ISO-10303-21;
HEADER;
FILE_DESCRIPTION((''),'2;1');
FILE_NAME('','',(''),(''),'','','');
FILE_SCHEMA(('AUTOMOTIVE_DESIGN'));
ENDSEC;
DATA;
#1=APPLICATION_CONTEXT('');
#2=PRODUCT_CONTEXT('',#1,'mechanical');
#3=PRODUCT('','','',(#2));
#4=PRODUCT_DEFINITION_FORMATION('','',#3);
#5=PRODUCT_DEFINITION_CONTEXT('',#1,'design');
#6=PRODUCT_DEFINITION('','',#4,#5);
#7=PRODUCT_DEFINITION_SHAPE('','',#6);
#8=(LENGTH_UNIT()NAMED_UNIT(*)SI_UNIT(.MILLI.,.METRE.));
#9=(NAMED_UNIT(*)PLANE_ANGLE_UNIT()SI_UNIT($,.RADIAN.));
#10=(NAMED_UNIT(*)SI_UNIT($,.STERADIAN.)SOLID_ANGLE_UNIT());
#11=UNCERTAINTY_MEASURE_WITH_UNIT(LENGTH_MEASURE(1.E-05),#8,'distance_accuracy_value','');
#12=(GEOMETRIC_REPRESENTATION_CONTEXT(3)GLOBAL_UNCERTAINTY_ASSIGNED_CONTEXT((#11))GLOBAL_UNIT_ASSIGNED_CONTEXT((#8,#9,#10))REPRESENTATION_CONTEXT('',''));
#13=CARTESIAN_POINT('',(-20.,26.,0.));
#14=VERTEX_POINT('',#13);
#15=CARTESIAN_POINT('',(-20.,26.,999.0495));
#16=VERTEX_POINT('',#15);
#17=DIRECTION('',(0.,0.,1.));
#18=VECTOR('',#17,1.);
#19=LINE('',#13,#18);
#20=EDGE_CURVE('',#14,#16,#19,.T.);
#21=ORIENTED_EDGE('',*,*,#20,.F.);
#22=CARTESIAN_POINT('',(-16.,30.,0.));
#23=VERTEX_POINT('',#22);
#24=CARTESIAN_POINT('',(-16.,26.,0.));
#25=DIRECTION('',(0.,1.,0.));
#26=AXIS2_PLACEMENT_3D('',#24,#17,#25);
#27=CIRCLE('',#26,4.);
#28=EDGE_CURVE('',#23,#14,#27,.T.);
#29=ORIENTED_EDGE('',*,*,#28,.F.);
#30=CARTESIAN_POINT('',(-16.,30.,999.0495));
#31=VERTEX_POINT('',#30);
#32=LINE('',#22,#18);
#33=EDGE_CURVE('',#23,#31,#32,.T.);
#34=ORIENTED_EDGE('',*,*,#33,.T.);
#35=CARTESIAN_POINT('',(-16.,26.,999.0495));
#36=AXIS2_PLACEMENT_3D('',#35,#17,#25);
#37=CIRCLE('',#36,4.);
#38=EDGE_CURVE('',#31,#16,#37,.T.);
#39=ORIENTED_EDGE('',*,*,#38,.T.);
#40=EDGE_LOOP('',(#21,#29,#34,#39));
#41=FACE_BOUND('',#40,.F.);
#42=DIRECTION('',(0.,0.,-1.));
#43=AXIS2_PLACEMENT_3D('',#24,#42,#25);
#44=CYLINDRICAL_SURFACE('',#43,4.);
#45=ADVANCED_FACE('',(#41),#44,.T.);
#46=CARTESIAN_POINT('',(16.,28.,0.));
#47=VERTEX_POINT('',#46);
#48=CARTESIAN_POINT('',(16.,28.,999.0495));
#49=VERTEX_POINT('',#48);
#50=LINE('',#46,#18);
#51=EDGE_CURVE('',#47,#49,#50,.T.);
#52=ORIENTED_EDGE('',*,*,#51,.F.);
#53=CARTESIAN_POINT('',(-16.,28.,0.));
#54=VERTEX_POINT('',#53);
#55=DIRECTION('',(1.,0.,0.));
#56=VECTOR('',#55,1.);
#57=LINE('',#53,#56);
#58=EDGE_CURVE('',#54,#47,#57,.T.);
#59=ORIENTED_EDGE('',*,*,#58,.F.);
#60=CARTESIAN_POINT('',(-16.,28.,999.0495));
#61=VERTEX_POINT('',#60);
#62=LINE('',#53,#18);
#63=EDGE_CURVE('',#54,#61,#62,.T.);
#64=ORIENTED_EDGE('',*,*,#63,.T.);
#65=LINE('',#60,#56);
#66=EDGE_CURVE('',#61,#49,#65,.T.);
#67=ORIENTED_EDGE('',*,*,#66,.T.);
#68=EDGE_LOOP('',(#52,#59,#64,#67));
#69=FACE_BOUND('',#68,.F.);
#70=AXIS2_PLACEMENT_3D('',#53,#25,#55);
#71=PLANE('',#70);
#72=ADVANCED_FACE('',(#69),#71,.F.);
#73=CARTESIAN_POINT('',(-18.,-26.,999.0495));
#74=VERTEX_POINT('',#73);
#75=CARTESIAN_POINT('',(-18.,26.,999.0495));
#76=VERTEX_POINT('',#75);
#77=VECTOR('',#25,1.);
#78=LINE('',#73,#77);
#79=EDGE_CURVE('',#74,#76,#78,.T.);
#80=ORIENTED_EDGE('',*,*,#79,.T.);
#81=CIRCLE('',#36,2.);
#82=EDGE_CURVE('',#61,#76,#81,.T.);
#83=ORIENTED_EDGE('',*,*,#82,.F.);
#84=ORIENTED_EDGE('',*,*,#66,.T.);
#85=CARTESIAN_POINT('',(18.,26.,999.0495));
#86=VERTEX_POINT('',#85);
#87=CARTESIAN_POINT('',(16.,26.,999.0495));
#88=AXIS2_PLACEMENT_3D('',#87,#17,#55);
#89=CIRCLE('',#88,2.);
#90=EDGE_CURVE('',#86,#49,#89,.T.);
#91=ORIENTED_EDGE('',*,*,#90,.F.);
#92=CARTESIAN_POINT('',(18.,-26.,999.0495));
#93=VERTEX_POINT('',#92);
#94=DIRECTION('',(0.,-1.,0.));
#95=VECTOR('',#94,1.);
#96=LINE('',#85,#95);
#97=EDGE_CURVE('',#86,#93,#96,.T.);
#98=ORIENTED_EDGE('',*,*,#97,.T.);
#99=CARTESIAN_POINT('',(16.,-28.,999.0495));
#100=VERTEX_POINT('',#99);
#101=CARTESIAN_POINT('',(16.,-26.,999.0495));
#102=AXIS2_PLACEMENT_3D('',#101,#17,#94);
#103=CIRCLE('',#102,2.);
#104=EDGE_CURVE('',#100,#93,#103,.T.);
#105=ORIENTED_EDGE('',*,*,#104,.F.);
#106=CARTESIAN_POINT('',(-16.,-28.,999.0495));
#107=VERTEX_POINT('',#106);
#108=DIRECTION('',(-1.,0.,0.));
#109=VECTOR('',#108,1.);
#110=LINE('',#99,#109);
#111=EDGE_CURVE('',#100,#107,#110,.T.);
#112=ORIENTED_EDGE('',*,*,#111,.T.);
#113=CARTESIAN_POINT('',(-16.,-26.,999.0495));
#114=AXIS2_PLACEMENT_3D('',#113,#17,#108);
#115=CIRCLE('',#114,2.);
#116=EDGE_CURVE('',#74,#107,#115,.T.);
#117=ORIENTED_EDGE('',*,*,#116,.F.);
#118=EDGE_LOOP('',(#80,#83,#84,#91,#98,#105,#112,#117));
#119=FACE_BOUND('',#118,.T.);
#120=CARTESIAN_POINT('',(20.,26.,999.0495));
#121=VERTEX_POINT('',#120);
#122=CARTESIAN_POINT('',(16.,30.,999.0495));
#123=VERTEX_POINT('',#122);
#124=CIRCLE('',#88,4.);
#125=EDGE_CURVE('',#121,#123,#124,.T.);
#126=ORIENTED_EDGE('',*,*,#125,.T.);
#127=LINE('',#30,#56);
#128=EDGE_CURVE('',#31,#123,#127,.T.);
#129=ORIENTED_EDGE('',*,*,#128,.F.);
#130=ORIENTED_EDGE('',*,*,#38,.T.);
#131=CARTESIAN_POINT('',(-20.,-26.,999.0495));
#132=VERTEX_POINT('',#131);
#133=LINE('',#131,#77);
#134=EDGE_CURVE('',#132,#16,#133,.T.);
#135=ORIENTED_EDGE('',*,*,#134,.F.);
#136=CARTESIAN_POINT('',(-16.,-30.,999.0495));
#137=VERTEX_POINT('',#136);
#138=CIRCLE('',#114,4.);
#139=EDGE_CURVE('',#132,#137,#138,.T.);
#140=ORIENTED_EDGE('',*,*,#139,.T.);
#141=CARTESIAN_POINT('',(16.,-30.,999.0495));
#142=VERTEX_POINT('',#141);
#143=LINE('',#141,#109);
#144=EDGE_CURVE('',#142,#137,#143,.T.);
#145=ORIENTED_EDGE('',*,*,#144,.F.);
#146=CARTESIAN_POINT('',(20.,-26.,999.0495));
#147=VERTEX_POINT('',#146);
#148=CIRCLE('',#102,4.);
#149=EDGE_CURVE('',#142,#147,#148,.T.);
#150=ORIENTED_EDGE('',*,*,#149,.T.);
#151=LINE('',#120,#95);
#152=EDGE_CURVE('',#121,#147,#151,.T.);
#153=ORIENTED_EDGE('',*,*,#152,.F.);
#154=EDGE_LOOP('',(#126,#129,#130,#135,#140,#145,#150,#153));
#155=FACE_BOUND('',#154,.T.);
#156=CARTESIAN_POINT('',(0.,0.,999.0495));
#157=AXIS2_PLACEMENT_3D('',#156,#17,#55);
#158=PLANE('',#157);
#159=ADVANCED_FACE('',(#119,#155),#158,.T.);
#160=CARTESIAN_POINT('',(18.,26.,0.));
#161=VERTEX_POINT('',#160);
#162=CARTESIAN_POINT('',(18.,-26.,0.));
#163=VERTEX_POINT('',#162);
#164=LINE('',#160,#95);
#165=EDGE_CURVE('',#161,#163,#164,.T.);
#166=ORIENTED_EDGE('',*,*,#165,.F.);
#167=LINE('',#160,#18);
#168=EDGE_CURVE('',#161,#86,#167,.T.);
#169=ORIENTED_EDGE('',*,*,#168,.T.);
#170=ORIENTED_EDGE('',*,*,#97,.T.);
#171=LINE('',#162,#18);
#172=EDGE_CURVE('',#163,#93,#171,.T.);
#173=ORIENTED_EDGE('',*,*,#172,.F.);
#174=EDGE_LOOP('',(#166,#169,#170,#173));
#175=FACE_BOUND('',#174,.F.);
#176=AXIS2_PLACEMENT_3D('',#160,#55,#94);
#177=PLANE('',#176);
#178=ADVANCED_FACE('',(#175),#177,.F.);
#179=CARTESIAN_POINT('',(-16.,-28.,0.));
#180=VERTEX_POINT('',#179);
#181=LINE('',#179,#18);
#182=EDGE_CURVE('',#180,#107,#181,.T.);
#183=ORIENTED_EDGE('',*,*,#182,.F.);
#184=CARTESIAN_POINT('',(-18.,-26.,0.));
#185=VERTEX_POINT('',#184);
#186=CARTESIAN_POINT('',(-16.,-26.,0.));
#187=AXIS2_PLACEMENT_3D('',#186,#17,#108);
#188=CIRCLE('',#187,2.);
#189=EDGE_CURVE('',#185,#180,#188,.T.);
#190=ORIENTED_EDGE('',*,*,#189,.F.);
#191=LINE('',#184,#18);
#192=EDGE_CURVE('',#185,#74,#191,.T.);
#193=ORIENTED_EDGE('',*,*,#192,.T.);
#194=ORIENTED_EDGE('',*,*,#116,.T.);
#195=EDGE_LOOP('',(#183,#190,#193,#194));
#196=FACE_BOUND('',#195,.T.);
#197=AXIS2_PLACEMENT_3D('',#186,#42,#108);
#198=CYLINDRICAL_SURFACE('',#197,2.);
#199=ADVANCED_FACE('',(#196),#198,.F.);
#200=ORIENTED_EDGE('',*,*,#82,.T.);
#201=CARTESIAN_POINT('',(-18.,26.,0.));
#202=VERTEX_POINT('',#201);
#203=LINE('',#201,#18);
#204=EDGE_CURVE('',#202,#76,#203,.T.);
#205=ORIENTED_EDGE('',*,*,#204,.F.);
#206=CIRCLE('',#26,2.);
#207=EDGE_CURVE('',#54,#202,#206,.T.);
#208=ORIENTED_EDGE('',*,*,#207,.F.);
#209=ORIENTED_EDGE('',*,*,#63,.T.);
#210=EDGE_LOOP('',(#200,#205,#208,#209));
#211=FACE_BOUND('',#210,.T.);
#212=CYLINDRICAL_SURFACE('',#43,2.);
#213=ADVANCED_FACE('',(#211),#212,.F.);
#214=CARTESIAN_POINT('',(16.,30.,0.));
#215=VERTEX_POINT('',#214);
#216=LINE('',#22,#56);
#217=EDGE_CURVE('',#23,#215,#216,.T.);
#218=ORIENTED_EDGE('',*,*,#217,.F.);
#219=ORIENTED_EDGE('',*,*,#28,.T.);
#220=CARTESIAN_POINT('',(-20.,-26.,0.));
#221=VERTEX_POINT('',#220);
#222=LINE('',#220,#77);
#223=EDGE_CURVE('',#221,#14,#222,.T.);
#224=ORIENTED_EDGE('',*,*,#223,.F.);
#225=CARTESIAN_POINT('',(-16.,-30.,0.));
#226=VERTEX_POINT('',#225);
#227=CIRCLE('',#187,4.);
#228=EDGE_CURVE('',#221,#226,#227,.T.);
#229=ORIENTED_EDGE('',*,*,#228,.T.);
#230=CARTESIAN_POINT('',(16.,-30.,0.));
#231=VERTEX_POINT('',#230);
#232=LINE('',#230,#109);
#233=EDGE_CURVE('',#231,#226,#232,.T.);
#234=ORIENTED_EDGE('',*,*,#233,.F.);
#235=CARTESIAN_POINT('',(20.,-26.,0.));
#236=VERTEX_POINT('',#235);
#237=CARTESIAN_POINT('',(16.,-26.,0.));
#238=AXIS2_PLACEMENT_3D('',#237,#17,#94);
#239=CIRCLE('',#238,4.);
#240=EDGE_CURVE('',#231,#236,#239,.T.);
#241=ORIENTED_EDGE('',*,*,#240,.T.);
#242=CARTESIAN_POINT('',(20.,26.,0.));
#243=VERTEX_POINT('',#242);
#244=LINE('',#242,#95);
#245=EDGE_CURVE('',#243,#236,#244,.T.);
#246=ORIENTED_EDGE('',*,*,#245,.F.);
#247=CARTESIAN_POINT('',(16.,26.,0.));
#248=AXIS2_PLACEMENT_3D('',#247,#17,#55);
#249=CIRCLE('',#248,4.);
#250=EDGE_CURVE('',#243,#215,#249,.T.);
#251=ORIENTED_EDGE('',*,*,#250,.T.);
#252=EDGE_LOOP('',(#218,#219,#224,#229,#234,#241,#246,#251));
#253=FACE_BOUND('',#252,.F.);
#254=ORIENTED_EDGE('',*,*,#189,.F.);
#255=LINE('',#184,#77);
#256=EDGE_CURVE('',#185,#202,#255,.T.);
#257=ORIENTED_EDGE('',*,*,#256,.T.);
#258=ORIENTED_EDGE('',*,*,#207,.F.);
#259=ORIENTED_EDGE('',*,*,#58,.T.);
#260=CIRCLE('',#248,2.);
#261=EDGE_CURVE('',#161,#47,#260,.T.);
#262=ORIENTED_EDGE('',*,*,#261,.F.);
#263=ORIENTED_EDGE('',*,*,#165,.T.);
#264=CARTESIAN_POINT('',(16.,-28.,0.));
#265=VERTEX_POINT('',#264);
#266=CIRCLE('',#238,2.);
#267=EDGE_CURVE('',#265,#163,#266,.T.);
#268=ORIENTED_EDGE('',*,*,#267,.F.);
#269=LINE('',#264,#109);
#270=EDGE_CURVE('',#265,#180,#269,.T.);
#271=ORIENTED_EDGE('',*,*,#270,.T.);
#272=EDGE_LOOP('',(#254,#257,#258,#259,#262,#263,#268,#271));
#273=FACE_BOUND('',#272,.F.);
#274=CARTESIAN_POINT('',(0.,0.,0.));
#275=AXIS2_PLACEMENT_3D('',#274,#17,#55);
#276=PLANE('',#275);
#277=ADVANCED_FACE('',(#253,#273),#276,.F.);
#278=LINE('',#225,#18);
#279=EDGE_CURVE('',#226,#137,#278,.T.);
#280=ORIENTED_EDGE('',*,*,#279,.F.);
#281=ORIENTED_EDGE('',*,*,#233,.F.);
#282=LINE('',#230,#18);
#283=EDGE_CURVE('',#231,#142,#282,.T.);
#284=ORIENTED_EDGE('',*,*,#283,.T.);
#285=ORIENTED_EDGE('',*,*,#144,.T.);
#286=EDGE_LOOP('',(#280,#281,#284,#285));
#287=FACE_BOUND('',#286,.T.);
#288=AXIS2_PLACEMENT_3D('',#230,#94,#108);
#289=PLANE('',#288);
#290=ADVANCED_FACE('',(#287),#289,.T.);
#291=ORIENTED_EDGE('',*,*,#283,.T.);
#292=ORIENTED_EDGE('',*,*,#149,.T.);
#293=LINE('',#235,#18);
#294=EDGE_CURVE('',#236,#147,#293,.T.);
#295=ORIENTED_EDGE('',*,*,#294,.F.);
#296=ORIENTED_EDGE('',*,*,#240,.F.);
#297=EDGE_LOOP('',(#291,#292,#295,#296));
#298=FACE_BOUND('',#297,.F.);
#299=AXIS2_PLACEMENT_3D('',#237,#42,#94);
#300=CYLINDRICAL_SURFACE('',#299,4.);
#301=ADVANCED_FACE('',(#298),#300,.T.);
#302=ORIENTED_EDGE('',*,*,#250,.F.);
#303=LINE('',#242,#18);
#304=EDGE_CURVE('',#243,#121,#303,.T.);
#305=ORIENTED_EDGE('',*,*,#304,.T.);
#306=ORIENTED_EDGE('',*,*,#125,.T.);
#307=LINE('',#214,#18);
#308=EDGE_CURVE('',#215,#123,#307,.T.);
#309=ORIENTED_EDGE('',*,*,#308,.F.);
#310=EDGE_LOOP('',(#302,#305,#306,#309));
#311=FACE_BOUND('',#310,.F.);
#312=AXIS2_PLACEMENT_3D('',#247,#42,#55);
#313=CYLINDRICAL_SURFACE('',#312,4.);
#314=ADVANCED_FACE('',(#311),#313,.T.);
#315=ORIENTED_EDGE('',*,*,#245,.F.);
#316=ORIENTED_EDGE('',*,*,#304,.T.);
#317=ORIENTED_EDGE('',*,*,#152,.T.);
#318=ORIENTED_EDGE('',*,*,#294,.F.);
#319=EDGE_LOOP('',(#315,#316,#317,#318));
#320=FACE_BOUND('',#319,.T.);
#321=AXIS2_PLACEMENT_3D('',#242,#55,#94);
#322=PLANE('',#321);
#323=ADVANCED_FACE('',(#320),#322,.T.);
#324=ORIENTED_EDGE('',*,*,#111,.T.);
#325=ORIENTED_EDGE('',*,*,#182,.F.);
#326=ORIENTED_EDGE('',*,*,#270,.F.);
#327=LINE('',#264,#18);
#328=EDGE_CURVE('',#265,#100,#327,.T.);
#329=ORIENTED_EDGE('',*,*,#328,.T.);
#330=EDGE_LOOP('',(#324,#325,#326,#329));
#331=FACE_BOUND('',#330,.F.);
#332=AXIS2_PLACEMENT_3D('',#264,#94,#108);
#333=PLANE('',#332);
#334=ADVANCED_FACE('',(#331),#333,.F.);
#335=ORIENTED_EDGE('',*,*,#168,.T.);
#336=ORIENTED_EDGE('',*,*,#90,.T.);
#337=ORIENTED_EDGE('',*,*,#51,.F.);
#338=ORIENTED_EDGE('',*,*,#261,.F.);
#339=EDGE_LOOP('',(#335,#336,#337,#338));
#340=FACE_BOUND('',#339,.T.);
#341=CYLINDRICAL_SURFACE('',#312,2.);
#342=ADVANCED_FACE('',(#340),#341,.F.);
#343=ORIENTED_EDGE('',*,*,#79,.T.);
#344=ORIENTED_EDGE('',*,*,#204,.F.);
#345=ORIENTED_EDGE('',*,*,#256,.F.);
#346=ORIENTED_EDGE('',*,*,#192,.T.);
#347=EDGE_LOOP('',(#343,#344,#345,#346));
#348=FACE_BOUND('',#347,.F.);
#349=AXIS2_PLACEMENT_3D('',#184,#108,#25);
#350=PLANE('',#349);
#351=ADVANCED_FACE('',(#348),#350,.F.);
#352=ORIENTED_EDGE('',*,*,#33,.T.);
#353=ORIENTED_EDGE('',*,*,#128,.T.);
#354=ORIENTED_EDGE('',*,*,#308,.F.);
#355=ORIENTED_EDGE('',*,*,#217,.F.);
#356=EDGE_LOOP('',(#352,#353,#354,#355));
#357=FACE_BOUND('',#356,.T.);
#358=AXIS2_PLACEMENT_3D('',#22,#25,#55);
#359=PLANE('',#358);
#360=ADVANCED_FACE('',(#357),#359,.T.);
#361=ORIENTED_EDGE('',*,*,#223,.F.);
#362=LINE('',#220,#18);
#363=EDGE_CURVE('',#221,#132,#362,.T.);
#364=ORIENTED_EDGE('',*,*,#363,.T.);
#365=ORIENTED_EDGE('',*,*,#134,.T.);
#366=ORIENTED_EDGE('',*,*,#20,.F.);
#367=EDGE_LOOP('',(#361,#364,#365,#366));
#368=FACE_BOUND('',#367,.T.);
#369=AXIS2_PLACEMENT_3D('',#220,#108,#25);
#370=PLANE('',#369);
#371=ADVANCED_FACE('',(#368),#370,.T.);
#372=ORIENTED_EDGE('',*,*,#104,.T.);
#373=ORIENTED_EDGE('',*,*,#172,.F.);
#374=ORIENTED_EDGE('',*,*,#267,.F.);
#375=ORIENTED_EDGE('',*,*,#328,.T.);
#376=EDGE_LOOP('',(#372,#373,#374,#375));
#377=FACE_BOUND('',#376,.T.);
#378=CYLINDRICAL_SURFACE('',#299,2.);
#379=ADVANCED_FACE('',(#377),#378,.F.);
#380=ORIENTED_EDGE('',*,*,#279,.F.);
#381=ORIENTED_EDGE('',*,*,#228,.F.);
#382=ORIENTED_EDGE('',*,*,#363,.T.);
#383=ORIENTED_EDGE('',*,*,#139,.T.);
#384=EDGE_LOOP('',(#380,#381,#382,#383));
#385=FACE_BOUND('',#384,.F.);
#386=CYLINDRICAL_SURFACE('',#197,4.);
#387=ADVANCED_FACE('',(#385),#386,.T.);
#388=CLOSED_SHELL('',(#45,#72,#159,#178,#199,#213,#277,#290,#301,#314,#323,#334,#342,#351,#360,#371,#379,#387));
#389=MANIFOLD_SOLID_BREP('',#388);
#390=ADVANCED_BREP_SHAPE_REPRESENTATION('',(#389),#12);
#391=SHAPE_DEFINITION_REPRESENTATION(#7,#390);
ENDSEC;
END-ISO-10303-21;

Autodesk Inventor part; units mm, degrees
ref_plane "YZ Plane" through (0, 0, 0) normal (1, 0, 0) x (0, 1, 0)
ref_plane "Start Plane" through (0, 0, 0) normal (0, 0, 1) x (1, 0, 0)
ref_plane "End Plane" through (0, 0, 999.0495) normal (0, 0, 1) x (1, 0, 0)
sketch "Sketch" plane through (0, 0, 0) normal (0, 0, 1) x (1, 0, 0)
  line L0 (-20, -26) -> (-20, 26)
  line L1 (-16, 30) -> (16, 30)
  line L2 (20, 26) -> (20, -26)
  line L3 (16, -30) -> (-16, -30)
  arc A0 (-20, -26) -> (-16, -30) centre (-16, -26) ccw
  arc A1 (20, 26) -> (16, 30) centre (16, 26) ccw
  arc A2 (-16, 30) -> (-20, 26) centre (-16, 26) ccw
  arc A3 (16, -30) -> (20, -26) centre (16, -26) ccw
  arc A4 (-16, 28) -> (-18, 26) centre (-16, 26) ccw
  line L4 (-16, 28) -> (16, 28)
  arc A5 (18, 26) -> (16, 28) centre (16, 26) ccw
  line L5 (18, 26) -> (18, -26)
  arc A6 (16, -28) -> (18, -26) centre (16, -26) ccw
  line L6 (16, -28) -> (-16, -28)
  arc A7 (-18, -26) -> (-16, -28) centre (-16, -26) ccw
  line L7 (-18, -26) -> (-18, 26)
  line L8 (0, 43.1598) -> (0, -43.1598) construction
  line L9 (-29.1598, 0) -> (29.1598, 0) construction
  dimension "d7" = 4
  dimension "d9" = 40
  dimension "d11" = 60
  dimension "d12" = 2
  dimension "d15" = 20
  dimension "d16" = 30
extrude "Body" add sketch "Sketch" along normal up to surface (999.0495 mm away) from surface at 0
sketch "Sketch3" plane through (0, 0, 0) normal (0, 0, 1) x (1, 0, 0)
  line L0 (0, 0) -> (10, 0)
ref_plane "Work Plane3" through (0, 0, 0) normal (0, -1, 0) x (1, 0, 0)
sketch "Sketch4" plane through (0, 0, 0) normal (0, -1, 0) x (1, 0, 0)
  line L0 (-2, 0) -> (12, 0) projected
  line L1 (-2, 999.0495) -> (12, 999.0495) projected
  dimension "d18" = 999.0495
equation "\"d7\" = G_IR"
equation "\"d9\" = G_W"
equation "\"d11\" = G_H"
equation "\"d12\" = G_T"
equation "\"d15\" = 0.5 * d9"
equation "\"d16\" = 0.5 * d11"
equation "\"d3\" = G_L"
equation "\"G_W\" = 40"
equation "\"G_H\" = 60"
equation "\"G_T\" = 2"
equation "\"G_IR\" = 4"
equation "\"G_L\" = d18"
equation "\"G_OFFSET_START\" = 0"
equation "\"G_OFFSET_END\" = 0"
equation "\"d14\" = G_OFFSET_END + B_L"
equation "\"B_L\" = 999.04955"
properties part number "ISO 10799-2 - 60x40x2 - 999,05" material "Steel, Mild"
